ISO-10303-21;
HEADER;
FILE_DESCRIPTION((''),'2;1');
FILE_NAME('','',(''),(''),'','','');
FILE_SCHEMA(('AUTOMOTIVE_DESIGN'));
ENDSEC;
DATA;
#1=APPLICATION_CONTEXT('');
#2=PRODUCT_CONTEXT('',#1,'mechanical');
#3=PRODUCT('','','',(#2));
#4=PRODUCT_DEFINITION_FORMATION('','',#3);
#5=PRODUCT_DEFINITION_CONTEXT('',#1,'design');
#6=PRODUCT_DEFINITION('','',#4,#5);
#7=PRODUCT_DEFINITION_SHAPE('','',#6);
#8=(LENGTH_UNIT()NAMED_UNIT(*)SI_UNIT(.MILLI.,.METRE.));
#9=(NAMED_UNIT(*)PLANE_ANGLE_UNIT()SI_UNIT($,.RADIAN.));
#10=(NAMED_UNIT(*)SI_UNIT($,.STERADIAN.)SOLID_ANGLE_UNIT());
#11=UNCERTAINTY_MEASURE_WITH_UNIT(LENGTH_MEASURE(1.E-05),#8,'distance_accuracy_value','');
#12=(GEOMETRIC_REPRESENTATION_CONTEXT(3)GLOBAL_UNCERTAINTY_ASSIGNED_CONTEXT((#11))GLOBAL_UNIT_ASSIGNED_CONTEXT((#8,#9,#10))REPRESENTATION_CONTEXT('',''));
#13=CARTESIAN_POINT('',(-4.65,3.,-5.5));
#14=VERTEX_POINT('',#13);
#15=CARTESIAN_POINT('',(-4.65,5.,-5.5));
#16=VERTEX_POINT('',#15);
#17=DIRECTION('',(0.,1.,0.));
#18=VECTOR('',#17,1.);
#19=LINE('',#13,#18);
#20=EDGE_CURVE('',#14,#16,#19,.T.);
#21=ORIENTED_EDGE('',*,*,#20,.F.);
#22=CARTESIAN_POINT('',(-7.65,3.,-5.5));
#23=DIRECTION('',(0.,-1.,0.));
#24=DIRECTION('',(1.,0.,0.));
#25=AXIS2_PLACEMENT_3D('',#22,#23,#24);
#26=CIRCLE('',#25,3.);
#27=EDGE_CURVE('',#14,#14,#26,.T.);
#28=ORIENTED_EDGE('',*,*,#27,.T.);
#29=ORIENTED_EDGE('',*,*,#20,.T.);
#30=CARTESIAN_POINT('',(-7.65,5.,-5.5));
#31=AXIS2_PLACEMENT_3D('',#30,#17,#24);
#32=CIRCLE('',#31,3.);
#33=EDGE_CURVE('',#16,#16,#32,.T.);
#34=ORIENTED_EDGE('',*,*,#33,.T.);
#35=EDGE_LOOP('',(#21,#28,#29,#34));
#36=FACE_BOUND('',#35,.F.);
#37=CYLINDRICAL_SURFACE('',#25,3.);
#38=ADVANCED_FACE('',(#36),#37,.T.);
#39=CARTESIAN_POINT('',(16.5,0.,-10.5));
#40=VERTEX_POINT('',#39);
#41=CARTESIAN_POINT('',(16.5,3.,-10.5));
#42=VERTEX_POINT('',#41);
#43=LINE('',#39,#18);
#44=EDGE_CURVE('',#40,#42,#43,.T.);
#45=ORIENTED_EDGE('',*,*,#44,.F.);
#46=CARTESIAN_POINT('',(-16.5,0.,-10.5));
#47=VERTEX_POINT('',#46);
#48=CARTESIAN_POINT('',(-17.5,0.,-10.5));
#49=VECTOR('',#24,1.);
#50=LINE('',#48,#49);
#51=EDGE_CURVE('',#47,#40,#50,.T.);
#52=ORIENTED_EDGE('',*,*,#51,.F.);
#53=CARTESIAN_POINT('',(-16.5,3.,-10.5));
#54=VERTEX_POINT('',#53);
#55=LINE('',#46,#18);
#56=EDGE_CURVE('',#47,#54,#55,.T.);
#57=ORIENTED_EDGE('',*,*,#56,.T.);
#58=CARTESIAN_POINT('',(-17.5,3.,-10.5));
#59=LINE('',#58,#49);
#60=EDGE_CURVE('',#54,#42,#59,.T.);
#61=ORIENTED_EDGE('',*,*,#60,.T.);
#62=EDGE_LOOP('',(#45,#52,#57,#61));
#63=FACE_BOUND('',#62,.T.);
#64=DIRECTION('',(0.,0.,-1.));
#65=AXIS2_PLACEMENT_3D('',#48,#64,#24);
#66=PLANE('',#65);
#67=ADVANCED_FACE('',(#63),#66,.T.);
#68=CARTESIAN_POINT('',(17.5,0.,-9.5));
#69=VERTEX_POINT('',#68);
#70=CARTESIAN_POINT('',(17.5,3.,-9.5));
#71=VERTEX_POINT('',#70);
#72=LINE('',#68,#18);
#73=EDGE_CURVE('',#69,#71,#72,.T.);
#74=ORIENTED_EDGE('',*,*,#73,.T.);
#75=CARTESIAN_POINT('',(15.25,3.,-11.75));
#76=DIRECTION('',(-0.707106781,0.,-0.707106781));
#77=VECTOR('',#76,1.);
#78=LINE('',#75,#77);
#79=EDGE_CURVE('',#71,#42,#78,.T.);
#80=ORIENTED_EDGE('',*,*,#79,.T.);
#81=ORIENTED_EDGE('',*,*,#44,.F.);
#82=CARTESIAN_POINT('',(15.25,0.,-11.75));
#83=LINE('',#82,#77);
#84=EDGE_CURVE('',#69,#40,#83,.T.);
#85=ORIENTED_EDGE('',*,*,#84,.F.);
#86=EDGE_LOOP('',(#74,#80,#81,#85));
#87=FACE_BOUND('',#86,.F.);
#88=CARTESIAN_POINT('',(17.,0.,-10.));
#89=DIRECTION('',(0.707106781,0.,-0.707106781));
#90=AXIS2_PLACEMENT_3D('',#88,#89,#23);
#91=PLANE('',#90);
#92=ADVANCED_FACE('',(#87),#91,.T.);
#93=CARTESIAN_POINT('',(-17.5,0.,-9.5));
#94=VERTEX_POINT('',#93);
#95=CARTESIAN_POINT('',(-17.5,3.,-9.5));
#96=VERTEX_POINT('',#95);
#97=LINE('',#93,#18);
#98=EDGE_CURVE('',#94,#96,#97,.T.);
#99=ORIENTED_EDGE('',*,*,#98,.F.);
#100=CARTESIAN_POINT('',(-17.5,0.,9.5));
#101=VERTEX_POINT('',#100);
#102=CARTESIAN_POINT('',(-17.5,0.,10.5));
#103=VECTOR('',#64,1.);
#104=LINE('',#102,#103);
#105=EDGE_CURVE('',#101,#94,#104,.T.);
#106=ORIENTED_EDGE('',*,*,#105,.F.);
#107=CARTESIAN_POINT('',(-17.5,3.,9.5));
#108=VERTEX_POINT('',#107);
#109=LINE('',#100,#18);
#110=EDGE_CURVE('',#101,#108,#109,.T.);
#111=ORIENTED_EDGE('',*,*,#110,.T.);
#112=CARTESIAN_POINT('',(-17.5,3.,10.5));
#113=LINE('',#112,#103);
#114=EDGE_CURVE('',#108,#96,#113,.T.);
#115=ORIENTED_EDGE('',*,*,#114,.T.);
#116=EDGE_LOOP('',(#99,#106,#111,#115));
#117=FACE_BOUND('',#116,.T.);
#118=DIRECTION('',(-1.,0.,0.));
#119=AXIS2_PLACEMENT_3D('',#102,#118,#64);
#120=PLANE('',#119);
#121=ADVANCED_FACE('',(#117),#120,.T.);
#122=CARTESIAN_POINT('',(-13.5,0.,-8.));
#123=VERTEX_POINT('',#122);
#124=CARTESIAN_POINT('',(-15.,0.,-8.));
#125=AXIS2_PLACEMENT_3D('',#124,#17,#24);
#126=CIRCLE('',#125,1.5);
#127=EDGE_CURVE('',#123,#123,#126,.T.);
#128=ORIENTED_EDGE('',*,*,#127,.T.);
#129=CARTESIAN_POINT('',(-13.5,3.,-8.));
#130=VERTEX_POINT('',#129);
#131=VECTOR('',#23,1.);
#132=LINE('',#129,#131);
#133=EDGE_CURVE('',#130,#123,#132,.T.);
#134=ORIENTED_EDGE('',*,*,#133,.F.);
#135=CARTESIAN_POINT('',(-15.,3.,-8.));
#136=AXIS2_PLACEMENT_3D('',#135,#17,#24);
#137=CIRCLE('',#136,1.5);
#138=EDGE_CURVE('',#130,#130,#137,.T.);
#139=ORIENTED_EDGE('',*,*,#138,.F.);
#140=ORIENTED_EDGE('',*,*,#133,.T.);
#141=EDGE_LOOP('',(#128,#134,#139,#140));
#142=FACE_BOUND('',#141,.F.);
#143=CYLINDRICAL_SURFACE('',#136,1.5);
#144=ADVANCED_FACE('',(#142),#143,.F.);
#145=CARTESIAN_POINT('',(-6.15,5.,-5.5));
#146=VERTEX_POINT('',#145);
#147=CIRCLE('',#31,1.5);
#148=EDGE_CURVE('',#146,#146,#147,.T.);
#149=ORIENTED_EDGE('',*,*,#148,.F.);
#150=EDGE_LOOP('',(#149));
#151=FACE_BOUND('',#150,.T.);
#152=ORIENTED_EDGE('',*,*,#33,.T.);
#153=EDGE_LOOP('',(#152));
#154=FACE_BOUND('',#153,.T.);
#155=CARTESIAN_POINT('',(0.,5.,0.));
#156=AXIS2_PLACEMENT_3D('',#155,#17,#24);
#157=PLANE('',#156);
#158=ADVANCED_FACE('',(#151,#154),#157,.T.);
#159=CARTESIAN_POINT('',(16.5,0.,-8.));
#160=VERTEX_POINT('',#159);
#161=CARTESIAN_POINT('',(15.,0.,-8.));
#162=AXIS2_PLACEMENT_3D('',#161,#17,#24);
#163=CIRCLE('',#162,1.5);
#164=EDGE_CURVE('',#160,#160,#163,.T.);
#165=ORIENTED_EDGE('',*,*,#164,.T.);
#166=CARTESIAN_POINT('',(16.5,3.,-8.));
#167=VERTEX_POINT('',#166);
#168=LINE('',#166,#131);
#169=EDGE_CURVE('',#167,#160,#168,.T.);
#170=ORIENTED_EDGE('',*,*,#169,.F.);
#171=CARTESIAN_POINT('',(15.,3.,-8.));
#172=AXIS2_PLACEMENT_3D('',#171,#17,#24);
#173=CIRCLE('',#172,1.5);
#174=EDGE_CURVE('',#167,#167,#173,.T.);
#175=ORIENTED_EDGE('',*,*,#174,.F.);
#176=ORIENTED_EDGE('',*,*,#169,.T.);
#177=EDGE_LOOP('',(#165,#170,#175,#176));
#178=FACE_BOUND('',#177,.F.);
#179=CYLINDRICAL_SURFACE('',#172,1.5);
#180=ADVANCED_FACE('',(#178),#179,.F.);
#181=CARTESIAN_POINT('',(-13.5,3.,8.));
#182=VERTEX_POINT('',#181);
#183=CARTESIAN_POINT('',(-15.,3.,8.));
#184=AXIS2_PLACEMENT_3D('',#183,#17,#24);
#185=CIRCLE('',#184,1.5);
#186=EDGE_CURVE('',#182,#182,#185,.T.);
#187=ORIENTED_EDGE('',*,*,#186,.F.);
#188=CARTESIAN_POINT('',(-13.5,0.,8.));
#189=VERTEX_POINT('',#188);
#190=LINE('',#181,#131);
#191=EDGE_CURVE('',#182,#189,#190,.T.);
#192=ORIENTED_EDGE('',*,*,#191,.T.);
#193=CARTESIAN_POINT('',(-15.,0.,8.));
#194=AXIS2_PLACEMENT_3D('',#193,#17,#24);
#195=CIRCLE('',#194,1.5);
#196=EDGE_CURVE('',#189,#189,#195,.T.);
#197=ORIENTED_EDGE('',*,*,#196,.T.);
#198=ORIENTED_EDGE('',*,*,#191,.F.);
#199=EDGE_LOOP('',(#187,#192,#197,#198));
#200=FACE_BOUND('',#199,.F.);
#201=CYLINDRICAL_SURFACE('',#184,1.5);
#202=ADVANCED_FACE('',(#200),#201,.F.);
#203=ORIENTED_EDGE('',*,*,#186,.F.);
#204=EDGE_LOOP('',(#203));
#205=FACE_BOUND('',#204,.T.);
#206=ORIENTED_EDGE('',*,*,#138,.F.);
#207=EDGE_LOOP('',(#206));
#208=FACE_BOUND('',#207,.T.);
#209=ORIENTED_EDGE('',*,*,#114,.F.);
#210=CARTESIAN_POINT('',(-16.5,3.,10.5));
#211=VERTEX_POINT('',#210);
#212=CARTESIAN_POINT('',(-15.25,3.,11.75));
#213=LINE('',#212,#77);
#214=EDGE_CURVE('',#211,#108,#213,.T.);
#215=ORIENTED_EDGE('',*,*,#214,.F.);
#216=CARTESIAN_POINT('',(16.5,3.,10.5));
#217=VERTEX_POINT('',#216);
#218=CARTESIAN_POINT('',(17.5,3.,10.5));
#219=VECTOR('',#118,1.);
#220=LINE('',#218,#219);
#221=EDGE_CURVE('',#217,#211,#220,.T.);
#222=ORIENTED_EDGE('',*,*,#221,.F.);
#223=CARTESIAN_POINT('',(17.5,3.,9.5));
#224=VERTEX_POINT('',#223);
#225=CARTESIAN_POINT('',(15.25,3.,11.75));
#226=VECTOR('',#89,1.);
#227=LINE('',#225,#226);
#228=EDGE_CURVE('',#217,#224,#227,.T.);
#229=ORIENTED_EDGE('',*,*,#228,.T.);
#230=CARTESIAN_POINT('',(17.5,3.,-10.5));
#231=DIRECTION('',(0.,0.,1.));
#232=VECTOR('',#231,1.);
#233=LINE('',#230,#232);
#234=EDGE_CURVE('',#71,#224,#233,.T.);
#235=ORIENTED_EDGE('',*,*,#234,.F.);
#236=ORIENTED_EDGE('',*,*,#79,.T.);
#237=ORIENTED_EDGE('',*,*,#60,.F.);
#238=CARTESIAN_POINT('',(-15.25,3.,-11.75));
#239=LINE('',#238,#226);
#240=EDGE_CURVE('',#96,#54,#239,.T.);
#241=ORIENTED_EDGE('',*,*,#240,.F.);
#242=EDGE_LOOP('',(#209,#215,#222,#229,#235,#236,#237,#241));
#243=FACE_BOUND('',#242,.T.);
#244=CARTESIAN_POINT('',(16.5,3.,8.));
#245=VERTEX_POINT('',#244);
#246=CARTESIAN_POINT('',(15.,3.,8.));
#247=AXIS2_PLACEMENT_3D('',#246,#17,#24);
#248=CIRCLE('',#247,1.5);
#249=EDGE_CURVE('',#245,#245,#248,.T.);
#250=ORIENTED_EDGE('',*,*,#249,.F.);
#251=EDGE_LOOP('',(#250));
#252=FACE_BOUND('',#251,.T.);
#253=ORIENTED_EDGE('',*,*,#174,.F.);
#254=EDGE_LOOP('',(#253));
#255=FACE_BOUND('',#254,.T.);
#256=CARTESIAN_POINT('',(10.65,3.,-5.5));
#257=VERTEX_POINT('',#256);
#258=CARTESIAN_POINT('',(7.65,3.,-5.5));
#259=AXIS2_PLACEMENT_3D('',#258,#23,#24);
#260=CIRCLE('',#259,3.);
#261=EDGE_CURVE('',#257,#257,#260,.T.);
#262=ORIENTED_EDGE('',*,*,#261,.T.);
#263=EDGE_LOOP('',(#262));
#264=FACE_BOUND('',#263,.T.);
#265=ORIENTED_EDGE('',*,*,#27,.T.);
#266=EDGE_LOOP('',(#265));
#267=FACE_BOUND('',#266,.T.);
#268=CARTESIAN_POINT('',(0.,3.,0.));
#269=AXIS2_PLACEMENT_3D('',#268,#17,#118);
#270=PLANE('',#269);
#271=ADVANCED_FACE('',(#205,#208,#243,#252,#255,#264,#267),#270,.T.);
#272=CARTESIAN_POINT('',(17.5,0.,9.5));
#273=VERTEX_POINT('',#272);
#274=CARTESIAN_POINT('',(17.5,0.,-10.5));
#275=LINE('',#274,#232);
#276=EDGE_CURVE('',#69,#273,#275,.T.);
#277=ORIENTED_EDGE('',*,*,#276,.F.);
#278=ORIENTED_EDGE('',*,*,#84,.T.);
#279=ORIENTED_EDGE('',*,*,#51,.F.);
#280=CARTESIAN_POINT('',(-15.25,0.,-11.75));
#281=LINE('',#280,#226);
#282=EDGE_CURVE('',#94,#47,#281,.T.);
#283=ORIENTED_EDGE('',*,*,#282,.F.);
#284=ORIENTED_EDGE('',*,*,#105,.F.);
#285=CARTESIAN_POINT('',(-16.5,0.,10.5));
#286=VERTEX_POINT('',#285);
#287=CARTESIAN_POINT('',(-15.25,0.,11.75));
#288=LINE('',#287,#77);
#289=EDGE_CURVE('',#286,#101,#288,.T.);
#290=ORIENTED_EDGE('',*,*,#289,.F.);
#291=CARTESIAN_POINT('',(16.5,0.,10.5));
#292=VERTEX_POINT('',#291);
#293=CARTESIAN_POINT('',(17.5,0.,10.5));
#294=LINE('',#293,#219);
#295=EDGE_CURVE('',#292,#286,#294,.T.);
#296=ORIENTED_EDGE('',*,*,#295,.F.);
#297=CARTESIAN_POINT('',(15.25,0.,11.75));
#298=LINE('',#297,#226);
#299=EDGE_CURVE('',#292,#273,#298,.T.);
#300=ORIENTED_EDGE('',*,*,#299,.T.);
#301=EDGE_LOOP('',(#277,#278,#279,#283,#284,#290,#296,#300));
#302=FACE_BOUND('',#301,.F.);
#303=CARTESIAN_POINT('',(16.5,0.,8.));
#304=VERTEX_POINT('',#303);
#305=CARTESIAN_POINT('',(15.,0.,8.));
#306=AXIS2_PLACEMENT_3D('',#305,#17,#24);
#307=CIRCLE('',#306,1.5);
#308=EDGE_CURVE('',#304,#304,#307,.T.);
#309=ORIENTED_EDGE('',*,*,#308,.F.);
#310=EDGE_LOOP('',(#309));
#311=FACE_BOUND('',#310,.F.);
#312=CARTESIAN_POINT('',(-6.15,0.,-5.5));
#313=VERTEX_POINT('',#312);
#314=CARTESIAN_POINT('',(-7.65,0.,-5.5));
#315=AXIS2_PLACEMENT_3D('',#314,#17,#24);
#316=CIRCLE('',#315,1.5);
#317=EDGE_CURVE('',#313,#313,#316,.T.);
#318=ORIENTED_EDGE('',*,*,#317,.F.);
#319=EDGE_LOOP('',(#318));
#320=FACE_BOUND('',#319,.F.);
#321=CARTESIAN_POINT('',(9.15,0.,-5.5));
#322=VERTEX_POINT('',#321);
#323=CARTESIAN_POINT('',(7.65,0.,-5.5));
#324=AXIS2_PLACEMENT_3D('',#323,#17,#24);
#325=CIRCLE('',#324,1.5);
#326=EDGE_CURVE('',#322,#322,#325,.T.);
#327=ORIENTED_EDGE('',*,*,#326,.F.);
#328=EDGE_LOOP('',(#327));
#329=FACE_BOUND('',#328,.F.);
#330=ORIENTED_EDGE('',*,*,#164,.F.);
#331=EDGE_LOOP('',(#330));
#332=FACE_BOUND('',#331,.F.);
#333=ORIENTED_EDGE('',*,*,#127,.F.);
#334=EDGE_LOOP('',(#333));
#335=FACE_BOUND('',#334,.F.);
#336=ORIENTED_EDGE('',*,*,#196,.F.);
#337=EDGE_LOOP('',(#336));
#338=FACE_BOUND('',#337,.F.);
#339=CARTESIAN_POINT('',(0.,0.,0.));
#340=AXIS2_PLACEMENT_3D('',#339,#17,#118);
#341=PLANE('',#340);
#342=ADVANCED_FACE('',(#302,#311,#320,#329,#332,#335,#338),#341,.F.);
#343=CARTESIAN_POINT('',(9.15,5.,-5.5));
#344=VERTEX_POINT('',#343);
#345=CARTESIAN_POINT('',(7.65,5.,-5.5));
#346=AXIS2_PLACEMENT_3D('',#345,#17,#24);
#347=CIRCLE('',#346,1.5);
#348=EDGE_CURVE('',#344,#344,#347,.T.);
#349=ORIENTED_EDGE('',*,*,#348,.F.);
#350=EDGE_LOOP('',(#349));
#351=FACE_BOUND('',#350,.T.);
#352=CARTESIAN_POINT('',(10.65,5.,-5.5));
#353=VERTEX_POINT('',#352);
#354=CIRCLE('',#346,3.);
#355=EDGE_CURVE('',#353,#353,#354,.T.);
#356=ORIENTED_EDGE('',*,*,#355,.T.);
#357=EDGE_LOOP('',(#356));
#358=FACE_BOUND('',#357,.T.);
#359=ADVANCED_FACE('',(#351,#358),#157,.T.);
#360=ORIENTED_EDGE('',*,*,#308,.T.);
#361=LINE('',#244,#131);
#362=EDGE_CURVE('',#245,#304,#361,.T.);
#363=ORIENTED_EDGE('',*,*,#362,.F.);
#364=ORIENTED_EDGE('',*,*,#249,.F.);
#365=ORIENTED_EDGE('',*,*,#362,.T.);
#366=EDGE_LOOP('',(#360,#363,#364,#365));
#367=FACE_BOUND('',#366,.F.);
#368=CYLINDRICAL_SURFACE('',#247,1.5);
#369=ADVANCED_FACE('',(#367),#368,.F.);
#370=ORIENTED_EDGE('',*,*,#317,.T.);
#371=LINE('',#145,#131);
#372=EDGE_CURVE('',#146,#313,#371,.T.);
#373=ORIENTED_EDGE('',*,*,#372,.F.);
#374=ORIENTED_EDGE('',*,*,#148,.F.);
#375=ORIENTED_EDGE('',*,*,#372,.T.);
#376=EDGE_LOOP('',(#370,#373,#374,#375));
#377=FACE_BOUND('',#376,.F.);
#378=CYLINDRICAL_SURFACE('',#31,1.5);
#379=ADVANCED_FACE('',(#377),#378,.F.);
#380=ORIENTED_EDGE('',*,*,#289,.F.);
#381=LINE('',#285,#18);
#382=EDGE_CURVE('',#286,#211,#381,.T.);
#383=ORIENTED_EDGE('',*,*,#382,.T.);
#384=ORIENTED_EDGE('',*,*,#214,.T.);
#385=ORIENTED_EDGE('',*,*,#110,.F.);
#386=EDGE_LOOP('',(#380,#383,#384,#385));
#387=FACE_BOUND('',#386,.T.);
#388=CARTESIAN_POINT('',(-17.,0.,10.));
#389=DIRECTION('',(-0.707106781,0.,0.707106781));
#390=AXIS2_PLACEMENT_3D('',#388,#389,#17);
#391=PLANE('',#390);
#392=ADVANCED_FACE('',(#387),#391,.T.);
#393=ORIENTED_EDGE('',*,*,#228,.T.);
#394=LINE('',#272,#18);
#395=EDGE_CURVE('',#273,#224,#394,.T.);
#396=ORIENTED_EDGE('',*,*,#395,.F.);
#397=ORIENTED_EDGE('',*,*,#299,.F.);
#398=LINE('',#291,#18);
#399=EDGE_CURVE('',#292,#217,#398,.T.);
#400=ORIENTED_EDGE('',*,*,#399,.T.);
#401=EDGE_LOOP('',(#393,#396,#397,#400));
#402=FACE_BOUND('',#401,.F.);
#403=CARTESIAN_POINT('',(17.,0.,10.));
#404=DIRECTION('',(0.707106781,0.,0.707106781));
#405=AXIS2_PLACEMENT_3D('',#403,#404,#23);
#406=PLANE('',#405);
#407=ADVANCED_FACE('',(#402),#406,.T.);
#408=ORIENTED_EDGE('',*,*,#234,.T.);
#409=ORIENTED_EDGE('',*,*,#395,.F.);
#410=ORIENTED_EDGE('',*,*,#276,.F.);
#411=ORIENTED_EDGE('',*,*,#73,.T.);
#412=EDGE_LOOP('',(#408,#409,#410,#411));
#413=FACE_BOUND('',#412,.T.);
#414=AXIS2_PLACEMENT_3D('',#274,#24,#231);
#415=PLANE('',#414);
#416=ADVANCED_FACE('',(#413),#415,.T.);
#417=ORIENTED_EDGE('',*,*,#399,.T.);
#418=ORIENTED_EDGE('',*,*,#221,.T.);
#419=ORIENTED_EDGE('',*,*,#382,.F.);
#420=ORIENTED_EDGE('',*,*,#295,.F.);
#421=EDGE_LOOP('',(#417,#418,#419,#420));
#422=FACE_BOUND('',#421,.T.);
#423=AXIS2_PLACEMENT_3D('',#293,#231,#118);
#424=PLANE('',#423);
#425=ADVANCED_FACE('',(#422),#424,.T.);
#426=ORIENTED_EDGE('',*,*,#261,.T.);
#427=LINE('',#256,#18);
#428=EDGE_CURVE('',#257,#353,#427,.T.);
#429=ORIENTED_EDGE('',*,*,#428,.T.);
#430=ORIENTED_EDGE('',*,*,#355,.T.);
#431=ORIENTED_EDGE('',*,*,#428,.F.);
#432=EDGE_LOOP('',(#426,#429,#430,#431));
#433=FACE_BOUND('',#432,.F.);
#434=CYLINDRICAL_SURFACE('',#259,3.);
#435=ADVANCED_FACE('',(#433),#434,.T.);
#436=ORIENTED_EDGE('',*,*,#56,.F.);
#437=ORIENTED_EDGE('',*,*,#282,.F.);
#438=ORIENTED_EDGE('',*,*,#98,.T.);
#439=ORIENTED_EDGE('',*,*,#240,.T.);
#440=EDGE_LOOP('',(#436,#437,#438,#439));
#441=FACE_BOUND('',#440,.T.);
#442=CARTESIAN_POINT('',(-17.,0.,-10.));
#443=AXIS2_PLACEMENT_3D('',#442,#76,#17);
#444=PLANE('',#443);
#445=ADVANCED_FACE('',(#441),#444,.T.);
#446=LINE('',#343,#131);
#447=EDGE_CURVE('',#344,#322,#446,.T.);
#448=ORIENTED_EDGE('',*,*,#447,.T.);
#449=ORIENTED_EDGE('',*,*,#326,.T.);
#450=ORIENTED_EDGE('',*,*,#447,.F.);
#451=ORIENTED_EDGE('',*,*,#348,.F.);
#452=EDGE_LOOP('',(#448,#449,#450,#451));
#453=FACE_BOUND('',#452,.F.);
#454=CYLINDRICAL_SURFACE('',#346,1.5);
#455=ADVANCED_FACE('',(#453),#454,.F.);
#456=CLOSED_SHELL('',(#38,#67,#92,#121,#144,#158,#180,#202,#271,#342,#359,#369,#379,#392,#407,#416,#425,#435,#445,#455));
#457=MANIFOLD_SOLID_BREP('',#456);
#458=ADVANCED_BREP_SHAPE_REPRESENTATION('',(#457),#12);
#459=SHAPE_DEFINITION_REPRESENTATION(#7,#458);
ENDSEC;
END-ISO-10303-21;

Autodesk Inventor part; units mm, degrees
ref_plane "YZ Plane" through (0, 0, 0) normal (1, 0, 0) x (0, 1, 0)
ref_plane "XZ Plane" through (0, 0, 0) normal (0, 1, 0) x (-1, 0, 0)
ref_plane "XY Plane" through (0, 0, 0) normal (0, 0, 1) x (1, 0, 0)
sketch "Esboço1" plane through (0, 0, 0) normal (0, 1, 0) x (-1, 0, 0)
  line L0 (-17.5, 10.5) -> (17.5, 10.5)
  line L1 (17.5, 10.5) -> (17.5, -10.5)
  line L2 (17.5, -10.5) -> (-17.5, -10.5)
  line L3 (-17.5, -10.5) -> (-17.5, 10.5)
  line L4 (-17.5, 10.5) -> (17.5, -10.5) construction
  line L5 (17.5, 10.5) -> (-17.5, -10.5) construction
  point P0 (0, 0)
  point P1 (0, 0)
  dimension "d1" = 35
  dimension "d29" = 21
extrude "Extrusão1" add sketch "Esboço1" along normal blind 3
sketch "Esboço2" plane through (0, 3, 0) normal (0, 1, 0) x (1, 0, 0)
  line L0 (-17.5, -10.5) -> (17.5, -10.5) projected
  line L1 (-17.5, 10.5) -> (-17.5, -10.5) projected
  line L2 (-17.5, 0) -> (-17.5, 9.5148)
  line L3 (-17.5, 0) -> (-17.5, 10.5)
  line L4 (17.5, -10.5) -> (17.5, 10.5) projected
  circle A0 centre (7.65, 5.5) radius 1.5
  circle A1 centre (7.65, 5.5) radius 3
  circle A2 centre (-7.65, 5.5) radius 1.5
  circle A3 centre (-7.65, 5.5) radius 3
  line L5 (17.5, 10.5) -> (-17.5, 10.5) projected
  line L6 (-17.5, 5.5) -> (17.5, 5.5)
  dimension "d50" = 3
  dimension "d51" = 6
  dimension "d63" = 3
  dimension "d64" = 6
  dimension "d65" = 15.3
  dimension "d78" = 5
extrude "Extrusão2" add sketch "Esboço2" along normal blind 2 contours L6 A0 A1 | A1 L6 A0 | L6 A2 A3 | A3 L6 A2
sketch "Esboço5" plane through (0, 3, 0) normal (0, 1, 0) x (1, 0, 0)
  circle A0 centre (-15, -8) radius 1.5
  circle A1 centre (-15, 8) radius 1.5
  circle A2 centre (15, -8) radius 1.5
  circle A3 centre (15, 8) radius 1.5
  line L0 (17.5, 10.5) -> (-17.5, 10.5) projected
  line L1 (17.5, -10.5) -> (17.5, 10.5) projected
  line L2 (-17.5, -10.5) -> (17.5, -10.5) projected
  line L3 (-17.5, 10.5) -> (-17.5, -10.5) projected
  point P0 (0, 0)
  dimension "d32" = 3
  dimension "d33" = 2.5
  dimension "d34" = 2.5
  dimension "d35" = 2.5
  dimension "d36" = 2.5
  dimension "d37" = 2.5
  dimension "d38" = 2.5
  dimension "d39" = 2.5
  dimension "d40" = 2.5
extrude "Extrusão4" cut sketch "Esboço5" against normal through all contours A0 | A1 | A2 | A3
chamfer "Chanfro1" distance 1 angle 45 4 edges at (-17.5, 1.5, 10.5) (-17.5, 1.5, -10.5) (17.5, 1.5, 10.5) (17.5, 1.5, -10.5)
sketch "Esboço6" plane through (7.65, 5, -5.5) normal (0, 1, 0) x (1, 0, 0)
  circle A0 centre (0, 0) radius 1.5
  circle A1 centre (-15.3, 0) radius 3 projected
  circle A2 centre (-15.3, 0) radius 1.5 projected
  circle A3 centre (-15.3, 0) radius 1.5
  point P0 (-7.65, -5.5)
extrude "Extrusão5" cut sketch "Esboço6" against normal through all contours A0 | A2
properties part number "Sensor"
